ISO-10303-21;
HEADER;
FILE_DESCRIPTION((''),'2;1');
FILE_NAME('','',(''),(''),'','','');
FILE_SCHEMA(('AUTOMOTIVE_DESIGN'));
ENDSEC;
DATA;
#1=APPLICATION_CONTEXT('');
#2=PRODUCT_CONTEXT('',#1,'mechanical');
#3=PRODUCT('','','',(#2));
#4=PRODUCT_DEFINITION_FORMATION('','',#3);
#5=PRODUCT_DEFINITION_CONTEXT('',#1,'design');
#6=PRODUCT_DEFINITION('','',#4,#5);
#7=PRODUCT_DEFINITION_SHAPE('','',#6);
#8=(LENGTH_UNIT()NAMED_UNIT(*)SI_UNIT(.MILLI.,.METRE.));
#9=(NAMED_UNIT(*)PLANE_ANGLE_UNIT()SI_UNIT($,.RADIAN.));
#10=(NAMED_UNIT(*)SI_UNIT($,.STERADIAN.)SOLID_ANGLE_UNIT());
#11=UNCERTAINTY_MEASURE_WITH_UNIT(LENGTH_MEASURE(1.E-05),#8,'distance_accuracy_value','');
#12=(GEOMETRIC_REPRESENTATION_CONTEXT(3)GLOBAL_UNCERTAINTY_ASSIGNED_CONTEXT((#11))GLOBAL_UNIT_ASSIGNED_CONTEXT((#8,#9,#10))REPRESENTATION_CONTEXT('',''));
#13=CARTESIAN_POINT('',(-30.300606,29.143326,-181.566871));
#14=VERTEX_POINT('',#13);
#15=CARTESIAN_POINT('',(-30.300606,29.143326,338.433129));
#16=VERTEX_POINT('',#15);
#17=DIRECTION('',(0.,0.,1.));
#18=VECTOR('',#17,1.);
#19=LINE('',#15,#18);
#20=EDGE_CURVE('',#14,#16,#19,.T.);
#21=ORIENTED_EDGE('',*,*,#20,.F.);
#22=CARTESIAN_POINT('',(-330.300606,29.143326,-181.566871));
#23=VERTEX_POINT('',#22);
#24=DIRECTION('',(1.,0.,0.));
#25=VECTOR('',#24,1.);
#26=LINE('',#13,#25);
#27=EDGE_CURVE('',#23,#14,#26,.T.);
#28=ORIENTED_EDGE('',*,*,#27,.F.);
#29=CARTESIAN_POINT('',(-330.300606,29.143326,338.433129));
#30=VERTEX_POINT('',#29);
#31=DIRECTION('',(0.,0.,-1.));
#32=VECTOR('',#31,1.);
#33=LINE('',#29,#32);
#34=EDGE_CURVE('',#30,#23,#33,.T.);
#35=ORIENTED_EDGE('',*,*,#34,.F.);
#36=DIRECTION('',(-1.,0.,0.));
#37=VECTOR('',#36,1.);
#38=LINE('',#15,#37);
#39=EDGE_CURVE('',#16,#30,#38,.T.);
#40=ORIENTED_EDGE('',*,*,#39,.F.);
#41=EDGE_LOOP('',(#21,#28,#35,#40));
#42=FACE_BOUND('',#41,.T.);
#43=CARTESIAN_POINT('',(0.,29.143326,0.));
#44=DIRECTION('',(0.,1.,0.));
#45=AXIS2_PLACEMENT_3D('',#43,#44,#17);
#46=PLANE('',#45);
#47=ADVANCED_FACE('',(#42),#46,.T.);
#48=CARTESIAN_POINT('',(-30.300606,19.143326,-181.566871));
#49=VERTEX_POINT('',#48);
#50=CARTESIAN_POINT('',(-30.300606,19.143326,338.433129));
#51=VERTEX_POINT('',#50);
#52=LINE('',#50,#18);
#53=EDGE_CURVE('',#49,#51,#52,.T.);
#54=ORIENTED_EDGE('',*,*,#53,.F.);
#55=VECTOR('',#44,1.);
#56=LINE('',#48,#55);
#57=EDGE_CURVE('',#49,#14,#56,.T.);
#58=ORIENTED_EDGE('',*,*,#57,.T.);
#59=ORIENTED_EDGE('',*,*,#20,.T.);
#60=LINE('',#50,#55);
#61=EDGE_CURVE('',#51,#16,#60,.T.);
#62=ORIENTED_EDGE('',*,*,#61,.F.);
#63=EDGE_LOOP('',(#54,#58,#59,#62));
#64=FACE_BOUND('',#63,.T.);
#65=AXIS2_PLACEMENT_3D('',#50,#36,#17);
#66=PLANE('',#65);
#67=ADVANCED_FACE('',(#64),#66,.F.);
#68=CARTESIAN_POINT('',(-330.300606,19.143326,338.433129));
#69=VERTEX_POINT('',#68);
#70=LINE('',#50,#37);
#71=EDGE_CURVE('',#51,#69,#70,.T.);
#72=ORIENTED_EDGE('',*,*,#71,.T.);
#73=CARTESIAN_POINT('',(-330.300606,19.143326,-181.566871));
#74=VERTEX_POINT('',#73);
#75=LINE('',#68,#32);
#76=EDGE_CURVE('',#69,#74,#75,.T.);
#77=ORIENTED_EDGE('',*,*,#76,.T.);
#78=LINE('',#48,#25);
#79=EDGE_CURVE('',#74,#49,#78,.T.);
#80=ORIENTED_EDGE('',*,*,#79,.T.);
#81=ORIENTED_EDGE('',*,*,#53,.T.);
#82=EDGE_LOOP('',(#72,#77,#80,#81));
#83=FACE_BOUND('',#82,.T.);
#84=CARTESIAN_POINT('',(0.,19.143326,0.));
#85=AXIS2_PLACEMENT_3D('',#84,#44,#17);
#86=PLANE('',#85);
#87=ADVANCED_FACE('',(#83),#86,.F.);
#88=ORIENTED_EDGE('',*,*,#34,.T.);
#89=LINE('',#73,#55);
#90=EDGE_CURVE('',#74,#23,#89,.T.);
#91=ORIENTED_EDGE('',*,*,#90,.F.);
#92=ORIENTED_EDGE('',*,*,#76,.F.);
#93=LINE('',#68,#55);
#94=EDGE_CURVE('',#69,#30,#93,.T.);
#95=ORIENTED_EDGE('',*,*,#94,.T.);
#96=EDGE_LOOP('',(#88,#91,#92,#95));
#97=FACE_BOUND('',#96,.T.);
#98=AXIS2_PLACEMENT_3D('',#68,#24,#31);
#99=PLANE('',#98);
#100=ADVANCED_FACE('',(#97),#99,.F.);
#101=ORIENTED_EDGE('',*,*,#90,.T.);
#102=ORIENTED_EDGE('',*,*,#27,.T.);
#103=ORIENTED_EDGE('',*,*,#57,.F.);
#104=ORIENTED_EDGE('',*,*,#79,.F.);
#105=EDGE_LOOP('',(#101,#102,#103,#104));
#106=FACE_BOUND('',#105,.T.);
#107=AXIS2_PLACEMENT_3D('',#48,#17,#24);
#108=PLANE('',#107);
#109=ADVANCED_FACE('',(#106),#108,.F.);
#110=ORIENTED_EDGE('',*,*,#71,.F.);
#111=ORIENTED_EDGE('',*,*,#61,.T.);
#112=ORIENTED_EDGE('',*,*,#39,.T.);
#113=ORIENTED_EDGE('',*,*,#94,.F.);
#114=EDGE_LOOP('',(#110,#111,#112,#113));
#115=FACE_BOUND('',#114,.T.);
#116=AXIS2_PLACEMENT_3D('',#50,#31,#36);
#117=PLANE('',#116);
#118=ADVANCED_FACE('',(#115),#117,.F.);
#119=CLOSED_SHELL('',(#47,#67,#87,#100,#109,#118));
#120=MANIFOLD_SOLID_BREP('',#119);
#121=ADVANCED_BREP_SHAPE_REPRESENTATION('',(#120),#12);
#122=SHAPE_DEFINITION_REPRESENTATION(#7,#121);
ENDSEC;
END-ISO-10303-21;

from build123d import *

# Parameters (mm, degrees)
SKETCH1_W           = 300
SKETCH1_H           = 520
BOSS_EXTRUDE1_DEPTH = 10


with BuildPart() as part:
    # Sketch1 → Boss-Extrude1 (new body)
    with BuildSketch(Plane.XZ.offset(-29.143326369)):
        with Locations((-180.300605602, 78.433128803)):
            Rectangle(SKETCH1_W, SKETCH1_H)
    extrude(amount=BOSS_EXTRUDE1_DEPTH)


solid = part.part
